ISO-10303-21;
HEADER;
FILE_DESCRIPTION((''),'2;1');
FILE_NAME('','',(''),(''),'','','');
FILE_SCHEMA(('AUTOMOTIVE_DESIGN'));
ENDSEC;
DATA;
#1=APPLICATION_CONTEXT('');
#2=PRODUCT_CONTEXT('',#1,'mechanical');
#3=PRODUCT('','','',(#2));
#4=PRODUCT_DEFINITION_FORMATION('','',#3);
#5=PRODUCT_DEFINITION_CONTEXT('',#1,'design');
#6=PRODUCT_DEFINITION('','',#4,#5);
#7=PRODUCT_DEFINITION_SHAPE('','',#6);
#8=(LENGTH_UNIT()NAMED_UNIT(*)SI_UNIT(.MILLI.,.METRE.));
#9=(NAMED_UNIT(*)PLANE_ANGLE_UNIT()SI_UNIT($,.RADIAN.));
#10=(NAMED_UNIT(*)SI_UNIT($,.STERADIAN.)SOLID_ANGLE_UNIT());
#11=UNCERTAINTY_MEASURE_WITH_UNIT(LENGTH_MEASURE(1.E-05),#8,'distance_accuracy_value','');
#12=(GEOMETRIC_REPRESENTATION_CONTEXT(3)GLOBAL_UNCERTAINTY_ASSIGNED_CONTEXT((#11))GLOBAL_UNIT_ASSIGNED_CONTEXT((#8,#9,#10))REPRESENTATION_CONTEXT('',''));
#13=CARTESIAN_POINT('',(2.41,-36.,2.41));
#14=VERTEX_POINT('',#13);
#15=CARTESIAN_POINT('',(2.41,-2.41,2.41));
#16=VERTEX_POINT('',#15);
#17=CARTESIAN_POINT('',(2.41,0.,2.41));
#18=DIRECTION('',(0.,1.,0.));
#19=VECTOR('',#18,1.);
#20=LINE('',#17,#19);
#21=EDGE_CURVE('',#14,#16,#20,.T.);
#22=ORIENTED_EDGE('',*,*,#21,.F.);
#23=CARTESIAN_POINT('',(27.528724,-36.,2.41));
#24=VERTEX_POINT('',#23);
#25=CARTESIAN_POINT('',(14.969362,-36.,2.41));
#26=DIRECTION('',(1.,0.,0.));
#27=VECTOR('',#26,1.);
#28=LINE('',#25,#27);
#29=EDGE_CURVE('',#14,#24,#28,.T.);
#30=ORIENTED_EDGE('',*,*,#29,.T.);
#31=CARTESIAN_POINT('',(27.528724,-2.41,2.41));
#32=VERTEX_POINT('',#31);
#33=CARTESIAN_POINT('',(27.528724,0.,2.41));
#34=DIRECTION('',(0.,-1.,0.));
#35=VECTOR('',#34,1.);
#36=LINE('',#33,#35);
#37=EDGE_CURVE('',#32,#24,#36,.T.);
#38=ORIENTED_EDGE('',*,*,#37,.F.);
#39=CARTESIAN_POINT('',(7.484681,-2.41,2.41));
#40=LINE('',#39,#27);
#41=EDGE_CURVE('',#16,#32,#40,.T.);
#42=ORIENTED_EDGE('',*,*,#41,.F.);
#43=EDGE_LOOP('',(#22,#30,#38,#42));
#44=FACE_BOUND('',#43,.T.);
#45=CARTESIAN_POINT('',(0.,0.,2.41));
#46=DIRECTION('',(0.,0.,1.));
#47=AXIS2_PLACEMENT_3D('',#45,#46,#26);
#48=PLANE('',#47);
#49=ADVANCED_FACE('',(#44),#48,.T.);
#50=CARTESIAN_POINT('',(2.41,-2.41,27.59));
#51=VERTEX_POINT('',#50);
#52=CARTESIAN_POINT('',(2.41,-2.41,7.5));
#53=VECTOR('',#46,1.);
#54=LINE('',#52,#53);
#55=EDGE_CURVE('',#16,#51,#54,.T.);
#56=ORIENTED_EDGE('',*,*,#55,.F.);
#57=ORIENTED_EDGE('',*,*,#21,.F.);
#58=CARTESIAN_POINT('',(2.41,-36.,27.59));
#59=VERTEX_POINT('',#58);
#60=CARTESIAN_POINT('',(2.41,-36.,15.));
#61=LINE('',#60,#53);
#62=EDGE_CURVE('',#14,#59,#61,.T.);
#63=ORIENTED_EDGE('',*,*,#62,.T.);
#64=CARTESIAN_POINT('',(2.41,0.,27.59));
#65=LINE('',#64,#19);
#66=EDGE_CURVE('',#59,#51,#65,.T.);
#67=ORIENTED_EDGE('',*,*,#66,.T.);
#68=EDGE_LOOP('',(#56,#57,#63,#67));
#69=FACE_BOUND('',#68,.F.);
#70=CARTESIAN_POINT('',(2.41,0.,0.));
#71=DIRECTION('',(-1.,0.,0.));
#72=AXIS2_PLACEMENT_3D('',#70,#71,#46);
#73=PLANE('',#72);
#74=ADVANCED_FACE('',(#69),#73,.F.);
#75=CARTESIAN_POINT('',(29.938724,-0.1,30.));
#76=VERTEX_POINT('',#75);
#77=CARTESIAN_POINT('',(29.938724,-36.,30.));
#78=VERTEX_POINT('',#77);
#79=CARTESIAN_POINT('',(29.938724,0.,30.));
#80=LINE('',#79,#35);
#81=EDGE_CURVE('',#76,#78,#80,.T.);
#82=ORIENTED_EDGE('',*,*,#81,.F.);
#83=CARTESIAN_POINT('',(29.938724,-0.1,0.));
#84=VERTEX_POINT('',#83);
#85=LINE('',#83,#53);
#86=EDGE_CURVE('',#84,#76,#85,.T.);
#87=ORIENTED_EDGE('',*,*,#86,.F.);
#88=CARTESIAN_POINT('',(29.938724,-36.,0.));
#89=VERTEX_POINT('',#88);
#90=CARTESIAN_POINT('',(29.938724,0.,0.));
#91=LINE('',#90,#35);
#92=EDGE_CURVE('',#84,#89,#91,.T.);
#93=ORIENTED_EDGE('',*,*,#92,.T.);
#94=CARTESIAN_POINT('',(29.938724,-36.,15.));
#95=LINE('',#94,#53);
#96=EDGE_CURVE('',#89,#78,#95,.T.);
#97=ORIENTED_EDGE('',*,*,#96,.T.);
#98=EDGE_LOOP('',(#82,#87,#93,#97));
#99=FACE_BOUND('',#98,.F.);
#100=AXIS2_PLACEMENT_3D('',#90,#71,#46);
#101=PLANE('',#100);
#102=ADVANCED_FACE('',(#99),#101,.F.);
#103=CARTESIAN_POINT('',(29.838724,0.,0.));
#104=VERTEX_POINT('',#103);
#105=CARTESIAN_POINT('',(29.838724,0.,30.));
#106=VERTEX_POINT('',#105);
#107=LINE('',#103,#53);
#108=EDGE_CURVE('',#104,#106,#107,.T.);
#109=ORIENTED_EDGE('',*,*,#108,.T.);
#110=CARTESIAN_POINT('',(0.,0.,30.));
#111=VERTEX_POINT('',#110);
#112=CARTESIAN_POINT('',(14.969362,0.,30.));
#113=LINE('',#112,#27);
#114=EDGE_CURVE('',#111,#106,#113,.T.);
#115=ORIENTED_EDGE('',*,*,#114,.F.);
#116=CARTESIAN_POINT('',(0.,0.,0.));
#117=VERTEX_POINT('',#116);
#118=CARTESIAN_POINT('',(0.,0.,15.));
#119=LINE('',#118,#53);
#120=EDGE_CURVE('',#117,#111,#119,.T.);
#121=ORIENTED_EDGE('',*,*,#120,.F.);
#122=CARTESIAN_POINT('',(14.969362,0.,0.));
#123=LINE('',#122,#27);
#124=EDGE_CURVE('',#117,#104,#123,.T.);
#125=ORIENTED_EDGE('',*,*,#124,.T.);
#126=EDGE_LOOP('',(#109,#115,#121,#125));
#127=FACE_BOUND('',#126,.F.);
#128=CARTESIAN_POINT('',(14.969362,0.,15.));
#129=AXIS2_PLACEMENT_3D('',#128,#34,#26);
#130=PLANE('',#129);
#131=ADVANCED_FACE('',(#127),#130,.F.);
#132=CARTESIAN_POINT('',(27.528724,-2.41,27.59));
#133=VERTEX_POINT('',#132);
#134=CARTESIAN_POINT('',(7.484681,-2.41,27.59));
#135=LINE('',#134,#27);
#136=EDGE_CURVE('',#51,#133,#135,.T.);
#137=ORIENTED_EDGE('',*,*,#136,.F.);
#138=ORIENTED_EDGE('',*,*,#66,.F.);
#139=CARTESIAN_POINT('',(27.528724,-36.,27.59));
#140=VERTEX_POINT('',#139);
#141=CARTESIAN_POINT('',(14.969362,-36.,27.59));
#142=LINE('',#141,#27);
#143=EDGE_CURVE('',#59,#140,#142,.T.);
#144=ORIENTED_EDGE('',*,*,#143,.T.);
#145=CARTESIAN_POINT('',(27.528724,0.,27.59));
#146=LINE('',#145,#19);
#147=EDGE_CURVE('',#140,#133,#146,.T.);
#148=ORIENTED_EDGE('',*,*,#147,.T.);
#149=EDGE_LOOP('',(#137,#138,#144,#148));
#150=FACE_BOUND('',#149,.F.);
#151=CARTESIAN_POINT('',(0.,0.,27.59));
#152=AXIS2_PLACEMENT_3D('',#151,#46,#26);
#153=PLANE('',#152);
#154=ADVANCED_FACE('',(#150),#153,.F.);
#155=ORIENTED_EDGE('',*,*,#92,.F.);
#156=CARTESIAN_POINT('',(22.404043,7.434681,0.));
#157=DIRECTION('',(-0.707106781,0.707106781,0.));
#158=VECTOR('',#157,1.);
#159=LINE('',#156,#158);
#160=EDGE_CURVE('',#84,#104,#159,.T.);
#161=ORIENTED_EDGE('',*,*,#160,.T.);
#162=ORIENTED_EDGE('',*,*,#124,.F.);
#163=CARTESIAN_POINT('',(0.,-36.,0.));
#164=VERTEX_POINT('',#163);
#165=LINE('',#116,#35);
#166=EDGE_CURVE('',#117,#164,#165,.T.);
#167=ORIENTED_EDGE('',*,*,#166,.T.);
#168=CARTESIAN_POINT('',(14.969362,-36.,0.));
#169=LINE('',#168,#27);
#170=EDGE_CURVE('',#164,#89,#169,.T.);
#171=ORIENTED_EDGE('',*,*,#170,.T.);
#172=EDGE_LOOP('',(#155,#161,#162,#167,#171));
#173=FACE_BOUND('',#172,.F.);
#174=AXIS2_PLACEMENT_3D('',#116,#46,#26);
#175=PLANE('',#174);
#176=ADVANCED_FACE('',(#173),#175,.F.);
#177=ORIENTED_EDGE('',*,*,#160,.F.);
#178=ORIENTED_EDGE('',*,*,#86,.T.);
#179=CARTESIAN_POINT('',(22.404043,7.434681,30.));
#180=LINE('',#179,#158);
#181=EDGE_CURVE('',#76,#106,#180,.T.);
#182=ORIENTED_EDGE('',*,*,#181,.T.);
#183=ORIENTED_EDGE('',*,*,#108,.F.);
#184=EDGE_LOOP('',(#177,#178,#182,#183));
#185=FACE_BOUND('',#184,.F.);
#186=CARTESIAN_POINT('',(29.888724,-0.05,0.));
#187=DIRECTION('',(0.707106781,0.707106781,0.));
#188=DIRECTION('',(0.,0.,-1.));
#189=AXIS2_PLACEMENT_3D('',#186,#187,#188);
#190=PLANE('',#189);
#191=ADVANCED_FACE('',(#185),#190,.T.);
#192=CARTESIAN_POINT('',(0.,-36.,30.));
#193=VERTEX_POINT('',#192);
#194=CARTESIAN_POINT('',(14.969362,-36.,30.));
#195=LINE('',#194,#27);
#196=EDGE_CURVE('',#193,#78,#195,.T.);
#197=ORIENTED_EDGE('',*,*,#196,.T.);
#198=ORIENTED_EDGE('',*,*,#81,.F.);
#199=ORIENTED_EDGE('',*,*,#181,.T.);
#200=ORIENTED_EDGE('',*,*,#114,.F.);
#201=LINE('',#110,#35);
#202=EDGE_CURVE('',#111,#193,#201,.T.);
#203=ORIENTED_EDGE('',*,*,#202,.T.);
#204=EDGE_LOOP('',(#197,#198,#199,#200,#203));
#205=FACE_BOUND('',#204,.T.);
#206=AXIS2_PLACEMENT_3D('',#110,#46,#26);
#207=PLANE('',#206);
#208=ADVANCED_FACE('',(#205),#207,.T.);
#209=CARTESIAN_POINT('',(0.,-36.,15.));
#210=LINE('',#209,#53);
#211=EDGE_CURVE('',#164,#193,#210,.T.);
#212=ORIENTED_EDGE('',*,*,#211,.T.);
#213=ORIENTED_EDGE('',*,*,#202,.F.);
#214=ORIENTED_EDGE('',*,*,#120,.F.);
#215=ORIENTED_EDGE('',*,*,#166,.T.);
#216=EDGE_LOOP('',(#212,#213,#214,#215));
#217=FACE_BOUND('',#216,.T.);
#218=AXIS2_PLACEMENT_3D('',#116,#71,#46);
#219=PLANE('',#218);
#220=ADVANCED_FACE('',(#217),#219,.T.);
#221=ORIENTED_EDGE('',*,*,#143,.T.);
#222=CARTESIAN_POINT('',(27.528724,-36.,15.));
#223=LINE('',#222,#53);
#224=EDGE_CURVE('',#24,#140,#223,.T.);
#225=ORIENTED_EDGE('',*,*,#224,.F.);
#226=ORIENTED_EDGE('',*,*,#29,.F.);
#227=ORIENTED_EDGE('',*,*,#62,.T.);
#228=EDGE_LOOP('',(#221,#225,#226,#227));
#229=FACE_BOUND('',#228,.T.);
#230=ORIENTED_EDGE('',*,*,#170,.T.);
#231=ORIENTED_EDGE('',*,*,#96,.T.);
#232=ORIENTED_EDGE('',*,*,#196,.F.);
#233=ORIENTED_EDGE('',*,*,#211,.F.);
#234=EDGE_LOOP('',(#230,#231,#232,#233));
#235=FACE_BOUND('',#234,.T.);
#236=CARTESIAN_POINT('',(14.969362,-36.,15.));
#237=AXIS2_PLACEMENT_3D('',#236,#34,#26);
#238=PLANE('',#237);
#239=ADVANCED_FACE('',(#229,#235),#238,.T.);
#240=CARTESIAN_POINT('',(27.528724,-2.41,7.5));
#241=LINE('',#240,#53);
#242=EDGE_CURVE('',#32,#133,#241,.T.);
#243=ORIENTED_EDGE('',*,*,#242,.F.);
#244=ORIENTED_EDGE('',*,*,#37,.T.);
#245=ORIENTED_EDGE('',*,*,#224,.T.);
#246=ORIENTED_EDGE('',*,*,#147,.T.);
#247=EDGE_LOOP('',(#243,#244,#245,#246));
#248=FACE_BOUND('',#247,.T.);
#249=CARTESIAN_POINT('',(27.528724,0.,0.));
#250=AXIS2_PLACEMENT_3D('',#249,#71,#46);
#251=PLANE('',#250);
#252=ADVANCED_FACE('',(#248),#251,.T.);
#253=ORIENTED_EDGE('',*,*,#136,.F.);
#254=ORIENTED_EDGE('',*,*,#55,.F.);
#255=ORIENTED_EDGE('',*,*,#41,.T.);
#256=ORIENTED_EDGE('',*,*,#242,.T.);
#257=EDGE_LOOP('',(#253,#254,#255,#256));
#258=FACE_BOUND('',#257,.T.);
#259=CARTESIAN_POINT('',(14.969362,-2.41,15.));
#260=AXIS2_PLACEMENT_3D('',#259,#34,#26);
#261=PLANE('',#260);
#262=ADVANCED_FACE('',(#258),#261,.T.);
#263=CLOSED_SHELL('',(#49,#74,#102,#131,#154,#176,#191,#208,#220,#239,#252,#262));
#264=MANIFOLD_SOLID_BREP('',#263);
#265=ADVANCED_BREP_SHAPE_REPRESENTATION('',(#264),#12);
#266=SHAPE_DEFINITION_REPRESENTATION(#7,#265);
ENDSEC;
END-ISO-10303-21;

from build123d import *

# Parameters (mm, degrees)
F0_W     = 29.938724
F0_H     = 30
F1_DEPTH = 36
F2_T     = -2.41
F3_SIZE  = 0.1


with BuildPart() as f1:
    # F0 (on Front) → F1 (new body)
    with BuildSketch(Plane.XZ):
        with Locations((14.969362, 15)):
            Rectangle(F0_W, F0_H)
    extrude(amount=F1_DEPTH)

    # F2
    f2_openings = [f1.faces().sort_by_distance(p)[0] for p in [
        (14.969362, -36, 15),
    ]]
    offset(amount=F2_T, openings=f2_openings)

    # F3
    f3_edges = [f1.edges().sort_by_distance(p)[0] for p in [
        (29.938724, 0, 15),
    ]]
    chamfer(f3_edges, length=F3_SIZE)


solid = f1.part
